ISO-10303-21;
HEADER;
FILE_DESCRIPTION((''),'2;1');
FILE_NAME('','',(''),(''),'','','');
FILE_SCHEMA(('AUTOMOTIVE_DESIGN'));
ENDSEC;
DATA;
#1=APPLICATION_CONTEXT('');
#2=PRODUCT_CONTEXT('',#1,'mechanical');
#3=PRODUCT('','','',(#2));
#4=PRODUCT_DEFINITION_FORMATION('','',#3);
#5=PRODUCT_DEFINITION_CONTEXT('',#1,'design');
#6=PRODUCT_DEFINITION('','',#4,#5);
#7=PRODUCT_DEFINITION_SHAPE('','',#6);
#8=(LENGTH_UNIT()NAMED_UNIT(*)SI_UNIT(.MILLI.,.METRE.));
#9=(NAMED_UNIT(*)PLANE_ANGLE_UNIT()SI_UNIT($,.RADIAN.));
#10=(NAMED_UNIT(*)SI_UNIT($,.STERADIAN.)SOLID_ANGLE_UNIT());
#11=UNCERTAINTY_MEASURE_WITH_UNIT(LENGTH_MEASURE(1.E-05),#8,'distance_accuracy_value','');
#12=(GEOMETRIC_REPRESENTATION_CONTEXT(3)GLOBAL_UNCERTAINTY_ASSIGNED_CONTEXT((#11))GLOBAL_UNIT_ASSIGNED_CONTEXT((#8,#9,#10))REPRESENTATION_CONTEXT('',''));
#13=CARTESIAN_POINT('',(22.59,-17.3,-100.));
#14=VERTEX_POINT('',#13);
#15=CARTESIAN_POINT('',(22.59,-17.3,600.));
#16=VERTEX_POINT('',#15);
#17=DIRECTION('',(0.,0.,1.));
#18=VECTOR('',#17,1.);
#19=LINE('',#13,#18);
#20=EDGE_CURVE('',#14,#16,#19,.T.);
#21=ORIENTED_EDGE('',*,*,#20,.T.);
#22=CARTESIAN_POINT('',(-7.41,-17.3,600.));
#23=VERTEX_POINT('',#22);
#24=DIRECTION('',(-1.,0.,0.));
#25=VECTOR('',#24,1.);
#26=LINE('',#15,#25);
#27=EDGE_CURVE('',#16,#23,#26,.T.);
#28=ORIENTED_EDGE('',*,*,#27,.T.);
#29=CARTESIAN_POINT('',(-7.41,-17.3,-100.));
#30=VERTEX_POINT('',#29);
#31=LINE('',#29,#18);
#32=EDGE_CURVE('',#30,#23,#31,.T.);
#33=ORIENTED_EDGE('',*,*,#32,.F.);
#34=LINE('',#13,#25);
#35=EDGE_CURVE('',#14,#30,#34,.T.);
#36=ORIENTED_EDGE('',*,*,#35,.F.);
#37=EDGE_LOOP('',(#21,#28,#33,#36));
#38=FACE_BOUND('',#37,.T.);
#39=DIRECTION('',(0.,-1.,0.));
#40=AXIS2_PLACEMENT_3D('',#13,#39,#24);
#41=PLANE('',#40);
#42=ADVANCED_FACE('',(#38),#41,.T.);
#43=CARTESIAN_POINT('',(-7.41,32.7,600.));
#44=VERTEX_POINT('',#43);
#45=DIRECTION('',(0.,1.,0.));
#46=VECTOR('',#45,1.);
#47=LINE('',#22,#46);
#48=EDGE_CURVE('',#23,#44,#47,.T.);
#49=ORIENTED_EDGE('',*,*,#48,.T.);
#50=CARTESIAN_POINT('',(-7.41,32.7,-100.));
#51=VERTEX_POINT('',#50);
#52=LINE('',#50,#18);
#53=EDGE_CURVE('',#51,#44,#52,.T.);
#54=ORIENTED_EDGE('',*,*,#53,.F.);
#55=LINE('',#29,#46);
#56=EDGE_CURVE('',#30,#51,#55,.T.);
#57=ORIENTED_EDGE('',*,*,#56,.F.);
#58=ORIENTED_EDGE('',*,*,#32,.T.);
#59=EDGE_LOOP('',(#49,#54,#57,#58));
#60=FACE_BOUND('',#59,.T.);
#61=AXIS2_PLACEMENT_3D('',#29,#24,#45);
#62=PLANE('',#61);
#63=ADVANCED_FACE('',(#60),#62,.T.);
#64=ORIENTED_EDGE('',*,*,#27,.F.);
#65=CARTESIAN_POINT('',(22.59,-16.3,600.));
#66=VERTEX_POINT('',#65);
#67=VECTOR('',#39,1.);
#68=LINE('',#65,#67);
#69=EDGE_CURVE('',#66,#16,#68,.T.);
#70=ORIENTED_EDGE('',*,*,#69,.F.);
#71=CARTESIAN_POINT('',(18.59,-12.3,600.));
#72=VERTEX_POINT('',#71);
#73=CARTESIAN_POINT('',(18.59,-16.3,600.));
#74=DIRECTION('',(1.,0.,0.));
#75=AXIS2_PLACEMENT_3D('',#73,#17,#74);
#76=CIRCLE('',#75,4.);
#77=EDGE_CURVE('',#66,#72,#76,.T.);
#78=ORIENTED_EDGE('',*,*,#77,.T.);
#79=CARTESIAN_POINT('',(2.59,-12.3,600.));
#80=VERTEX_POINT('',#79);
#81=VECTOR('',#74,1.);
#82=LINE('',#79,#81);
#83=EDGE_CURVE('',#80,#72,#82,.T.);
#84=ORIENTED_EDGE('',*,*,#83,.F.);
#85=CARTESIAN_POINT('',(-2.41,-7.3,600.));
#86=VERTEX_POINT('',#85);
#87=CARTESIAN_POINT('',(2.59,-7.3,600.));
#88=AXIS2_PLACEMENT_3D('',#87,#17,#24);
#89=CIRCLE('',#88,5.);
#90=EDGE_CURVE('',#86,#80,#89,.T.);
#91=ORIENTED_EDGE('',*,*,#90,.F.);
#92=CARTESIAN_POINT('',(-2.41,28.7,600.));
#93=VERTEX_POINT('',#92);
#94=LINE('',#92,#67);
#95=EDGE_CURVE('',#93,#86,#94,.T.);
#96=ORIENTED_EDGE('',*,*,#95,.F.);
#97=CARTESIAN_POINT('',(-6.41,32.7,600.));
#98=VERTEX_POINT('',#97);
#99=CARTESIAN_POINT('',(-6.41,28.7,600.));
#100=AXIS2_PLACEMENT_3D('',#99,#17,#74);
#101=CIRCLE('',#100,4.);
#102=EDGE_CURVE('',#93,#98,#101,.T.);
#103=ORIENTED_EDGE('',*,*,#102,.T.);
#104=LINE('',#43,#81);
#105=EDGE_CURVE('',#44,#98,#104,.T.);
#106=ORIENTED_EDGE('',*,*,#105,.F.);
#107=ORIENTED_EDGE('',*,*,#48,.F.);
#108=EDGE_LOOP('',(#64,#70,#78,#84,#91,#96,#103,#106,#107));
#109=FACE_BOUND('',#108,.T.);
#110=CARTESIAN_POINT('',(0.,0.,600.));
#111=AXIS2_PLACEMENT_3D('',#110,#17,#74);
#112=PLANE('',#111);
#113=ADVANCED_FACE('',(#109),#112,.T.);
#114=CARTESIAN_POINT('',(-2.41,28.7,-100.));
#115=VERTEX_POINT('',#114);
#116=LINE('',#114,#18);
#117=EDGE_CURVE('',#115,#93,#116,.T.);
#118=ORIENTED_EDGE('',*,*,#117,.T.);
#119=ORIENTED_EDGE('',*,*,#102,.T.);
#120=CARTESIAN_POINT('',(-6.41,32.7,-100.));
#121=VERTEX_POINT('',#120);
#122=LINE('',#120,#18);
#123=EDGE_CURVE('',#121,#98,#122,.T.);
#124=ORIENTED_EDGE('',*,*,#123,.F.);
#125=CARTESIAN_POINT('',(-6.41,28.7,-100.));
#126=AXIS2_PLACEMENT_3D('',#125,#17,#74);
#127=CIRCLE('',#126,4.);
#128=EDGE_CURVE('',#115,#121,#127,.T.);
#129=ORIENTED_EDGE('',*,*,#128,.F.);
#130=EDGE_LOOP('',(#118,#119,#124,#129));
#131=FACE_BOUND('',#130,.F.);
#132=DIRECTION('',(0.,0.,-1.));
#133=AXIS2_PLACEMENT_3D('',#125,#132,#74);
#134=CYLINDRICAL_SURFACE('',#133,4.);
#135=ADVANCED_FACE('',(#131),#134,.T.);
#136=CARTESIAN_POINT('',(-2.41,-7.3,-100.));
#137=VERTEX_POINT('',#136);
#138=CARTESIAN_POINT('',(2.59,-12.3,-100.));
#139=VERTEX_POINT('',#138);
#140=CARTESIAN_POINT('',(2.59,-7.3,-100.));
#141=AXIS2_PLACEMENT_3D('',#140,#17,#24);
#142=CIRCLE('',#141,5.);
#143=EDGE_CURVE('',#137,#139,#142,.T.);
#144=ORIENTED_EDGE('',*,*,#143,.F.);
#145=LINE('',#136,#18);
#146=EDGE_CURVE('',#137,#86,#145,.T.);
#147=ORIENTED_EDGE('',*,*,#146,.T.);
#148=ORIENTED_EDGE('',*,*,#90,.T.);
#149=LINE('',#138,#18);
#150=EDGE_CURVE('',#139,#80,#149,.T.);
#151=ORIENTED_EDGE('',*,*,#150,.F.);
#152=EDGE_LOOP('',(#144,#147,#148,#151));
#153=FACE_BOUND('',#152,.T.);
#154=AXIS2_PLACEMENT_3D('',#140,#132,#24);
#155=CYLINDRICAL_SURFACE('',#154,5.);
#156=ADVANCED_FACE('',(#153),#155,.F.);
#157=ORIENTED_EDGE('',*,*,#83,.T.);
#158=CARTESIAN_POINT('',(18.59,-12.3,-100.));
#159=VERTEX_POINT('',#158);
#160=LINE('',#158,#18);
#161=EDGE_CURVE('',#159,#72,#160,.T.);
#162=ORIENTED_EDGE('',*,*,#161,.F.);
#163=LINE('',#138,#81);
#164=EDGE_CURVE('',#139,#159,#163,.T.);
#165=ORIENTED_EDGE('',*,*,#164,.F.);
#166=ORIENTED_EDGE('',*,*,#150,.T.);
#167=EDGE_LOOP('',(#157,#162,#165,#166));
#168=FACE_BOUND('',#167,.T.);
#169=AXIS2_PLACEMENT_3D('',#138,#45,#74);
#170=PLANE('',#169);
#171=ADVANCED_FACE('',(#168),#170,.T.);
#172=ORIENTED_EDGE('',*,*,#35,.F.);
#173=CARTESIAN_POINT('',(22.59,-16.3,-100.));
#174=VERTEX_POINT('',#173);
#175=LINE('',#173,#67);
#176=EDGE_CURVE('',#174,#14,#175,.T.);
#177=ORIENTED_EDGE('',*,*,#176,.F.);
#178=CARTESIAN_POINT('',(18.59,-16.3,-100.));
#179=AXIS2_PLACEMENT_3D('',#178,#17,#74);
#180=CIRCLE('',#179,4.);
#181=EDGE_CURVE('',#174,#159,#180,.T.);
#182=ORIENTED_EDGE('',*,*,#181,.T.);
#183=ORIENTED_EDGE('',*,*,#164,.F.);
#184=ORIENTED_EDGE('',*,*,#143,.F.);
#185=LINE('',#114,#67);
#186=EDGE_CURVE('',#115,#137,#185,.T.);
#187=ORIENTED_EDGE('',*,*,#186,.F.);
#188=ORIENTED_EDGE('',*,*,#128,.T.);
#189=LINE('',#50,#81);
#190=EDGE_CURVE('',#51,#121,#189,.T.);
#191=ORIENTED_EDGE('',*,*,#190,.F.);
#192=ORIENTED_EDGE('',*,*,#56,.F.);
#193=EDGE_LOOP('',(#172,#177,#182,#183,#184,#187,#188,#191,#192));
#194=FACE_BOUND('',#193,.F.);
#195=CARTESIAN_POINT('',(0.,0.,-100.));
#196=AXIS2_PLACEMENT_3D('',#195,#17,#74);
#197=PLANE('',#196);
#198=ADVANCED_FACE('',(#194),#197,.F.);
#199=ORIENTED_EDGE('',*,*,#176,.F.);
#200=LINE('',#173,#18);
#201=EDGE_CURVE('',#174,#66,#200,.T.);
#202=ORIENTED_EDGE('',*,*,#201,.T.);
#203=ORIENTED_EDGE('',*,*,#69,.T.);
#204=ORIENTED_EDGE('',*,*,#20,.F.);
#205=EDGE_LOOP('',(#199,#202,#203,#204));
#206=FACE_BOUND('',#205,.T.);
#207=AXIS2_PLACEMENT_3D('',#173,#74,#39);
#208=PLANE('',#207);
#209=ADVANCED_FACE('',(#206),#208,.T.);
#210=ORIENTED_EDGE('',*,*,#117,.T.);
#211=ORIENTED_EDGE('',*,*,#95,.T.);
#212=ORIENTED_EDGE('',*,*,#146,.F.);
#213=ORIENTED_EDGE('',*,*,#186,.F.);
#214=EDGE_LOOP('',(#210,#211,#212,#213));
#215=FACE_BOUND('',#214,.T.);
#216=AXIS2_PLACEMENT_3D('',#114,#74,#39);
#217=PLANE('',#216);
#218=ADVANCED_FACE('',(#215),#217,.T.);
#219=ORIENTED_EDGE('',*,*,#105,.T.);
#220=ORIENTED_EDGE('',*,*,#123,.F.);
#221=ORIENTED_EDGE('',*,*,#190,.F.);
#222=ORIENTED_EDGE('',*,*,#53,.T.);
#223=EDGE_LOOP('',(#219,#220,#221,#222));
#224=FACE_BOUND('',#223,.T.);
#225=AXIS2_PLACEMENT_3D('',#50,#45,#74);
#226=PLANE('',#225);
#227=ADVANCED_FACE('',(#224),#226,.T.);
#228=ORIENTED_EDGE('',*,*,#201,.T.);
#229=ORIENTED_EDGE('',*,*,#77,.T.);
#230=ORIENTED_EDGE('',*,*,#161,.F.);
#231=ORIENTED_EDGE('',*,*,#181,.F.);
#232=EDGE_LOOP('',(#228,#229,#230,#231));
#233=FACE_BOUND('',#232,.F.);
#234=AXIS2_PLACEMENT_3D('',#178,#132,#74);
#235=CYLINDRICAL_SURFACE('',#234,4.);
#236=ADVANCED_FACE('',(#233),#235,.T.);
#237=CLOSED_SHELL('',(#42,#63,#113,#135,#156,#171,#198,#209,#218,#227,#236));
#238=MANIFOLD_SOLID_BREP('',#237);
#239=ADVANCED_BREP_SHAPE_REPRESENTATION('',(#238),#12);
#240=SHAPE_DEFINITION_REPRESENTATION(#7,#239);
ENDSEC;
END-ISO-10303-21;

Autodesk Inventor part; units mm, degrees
ref_plane "YZ Plane" through (0, 0, 0) normal (1, 0, 0) x (0, 1, 0)
ref_plane "Start Plane" through (0, 0, -100) normal (0, 0, 1) x (1, 0, 0)
ref_plane "End Plane" through (0, 0, 600) normal (0, 0, 1) x (1, 0, 0)
sketch "Sketch" plane through (0, 0, 0) normal (0, 0, 1) x (1, 0, 0)
  line L0 (-2.41, 28.7) -> (-2.41, -7.3)
  line L1 (-7.41, 32.7) -> (-6.41, 32.7)
  line L2 (-7.41, -17.3) -> (-7.41, 32.7)
  line L3 (22.59, -17.3) -> (-7.41, -17.3)
  line L4 (22.59, -16.3) -> (22.59, -17.3)
  line L5 (2.59, -12.3) -> (18.59, -12.3)
  arc A0 (-2.41, -7.3) -> (2.59, -12.3) centre (2.59, -7.3) ccw
  arc A1 (-2.41, 28.7) -> (-6.41, 32.7) centre (-6.41, 28.7) ccw
  arc A2 (22.59, -16.3) -> (18.59, -12.3) centre (18.59, -16.3) ccw
  line L6 (0, 43.6941) -> (0, -27.4657) construction
  line L7 (-13.5757, 0) -> (29.5841, 0) construction
  point P0 (-2.41, 32.7)
  point P1 (-2.41, -12.3)
  point P2 (22.59, -12.3)
  dimension "d4" = 30
  dimension "d6" = 50
  dimension "d8" = 5
  dimension "d10" = 5
  dimension "d17" = 5
  dimension "d18" = 4
  dimension "d19" = 17.3
  dimension "d20" = 7.41
extrude "Body" add sketch "Sketch" along normal up to surface (700 mm away) from surface at -100
sketch "Sketch3" plane through (0, 0, 0) normal (0, 0, 1) x (1, 0, 0)
  line L0 (0, 0) -> (10, 0)
ref_plane "Work Plane10" through (0, 0, 0) normal (0, -1, 0) x (1, 0, 0)
sketch "Sketch4" plane through (0, 0, 0) normal (0, -1, 0) x (1, 0, 0)
  line L0 (-2, -100) -> (12, -100)
  line L1 (-2, 600) -> (12, 600)
  dimension "d24" = 700
equation "\"d4\" = b"
equation "\"d6\" = ParH"
equation "\"d8\" = ParT"
equation "\"d10\" = ParT"
equation "\"d17\" = R"
equation "\"d18\" = R1"
equation "\"d19\" = ex"
equation "\"d20\" = ey"
equation "\"d11\" = G_L"
equation "\"b\" = 30"
equation "\"ParT\" = 5"
equation "\"R1\" = 4"
equation "\"G_L\" = d24"
equation "\"ParH\" = 50"
equation "\"R\" = 5"
equation "\"ey\" = 7.41"
equation "\"ex\" = 17.3"
equation "\"G_OFFSET_END\" = 0"
properties part number "ISO 657-2 - 50x 30x 5-700" material "Steel, Mild"
